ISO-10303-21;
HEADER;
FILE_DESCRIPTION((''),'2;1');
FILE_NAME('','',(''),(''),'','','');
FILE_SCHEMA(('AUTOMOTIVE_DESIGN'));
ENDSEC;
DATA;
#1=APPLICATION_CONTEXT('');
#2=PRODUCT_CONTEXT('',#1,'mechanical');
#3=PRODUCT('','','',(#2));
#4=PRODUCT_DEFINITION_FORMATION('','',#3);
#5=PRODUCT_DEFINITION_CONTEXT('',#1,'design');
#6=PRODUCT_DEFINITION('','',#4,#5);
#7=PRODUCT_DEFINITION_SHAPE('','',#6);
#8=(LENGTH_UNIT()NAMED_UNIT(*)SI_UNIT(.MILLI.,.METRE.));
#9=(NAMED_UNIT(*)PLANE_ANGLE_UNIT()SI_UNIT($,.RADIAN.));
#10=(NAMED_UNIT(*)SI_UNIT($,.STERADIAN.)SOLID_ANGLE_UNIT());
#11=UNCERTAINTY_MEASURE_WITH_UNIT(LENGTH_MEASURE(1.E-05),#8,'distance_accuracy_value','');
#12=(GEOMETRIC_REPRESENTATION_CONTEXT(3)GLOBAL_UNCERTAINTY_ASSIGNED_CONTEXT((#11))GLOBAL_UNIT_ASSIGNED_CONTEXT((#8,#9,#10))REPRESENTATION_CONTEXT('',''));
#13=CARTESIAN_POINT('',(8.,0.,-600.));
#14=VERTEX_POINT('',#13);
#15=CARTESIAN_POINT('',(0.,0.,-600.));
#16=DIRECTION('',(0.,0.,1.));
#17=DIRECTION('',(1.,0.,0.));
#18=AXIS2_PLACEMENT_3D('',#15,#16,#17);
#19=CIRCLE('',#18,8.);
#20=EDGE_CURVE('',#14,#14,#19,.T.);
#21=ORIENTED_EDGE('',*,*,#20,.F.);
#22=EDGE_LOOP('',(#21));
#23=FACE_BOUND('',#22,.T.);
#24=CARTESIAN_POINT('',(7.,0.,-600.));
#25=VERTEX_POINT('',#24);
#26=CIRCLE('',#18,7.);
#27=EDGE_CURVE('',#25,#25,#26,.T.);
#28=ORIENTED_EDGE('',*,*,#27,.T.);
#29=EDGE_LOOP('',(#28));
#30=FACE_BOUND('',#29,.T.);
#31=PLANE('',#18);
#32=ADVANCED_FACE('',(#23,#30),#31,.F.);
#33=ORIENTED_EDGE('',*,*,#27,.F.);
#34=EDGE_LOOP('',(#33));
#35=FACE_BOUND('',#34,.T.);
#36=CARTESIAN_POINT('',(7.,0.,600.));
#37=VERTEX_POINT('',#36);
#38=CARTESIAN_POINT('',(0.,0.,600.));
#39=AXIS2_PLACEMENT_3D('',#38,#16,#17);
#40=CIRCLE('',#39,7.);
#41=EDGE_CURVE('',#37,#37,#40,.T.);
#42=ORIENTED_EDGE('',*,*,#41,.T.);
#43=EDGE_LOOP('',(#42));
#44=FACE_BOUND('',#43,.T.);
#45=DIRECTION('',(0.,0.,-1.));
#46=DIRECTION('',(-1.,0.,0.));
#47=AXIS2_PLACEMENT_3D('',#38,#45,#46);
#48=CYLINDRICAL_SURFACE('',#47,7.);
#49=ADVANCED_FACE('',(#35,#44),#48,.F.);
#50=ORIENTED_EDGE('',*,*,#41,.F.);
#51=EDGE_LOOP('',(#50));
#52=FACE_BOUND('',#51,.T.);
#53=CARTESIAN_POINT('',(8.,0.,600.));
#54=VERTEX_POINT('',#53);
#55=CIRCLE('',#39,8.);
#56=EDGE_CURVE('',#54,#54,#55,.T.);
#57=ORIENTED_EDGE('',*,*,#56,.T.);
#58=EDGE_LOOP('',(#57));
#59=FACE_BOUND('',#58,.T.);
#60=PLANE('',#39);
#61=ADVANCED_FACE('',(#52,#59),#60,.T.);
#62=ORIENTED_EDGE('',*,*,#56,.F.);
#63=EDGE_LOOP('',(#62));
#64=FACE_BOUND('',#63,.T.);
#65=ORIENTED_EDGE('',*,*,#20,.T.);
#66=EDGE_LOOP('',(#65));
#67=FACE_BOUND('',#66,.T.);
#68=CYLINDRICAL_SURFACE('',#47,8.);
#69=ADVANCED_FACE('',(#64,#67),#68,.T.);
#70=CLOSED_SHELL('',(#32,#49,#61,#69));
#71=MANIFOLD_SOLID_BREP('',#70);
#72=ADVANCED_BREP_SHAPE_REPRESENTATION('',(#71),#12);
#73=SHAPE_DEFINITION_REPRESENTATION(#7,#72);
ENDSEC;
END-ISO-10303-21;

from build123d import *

# Parameters (mm, degrees)
SKETCH_1_R      = 8
SKETCH_1_R_2    = 7
EXTRUDE_1_DEPTH = 600


with BuildPart() as part:
    # Эскиз1 → Бобышка-Вытянуть1 (new, symmetric)
    with BuildSketch(Plane.XY):
        Circle(SKETCH_1_R)
        Circle(SKETCH_1_R_2, mode=Mode.SUBTRACT)
    extrude(amount=EXTRUDE_1_DEPTH, both=True)


solid = part.part
